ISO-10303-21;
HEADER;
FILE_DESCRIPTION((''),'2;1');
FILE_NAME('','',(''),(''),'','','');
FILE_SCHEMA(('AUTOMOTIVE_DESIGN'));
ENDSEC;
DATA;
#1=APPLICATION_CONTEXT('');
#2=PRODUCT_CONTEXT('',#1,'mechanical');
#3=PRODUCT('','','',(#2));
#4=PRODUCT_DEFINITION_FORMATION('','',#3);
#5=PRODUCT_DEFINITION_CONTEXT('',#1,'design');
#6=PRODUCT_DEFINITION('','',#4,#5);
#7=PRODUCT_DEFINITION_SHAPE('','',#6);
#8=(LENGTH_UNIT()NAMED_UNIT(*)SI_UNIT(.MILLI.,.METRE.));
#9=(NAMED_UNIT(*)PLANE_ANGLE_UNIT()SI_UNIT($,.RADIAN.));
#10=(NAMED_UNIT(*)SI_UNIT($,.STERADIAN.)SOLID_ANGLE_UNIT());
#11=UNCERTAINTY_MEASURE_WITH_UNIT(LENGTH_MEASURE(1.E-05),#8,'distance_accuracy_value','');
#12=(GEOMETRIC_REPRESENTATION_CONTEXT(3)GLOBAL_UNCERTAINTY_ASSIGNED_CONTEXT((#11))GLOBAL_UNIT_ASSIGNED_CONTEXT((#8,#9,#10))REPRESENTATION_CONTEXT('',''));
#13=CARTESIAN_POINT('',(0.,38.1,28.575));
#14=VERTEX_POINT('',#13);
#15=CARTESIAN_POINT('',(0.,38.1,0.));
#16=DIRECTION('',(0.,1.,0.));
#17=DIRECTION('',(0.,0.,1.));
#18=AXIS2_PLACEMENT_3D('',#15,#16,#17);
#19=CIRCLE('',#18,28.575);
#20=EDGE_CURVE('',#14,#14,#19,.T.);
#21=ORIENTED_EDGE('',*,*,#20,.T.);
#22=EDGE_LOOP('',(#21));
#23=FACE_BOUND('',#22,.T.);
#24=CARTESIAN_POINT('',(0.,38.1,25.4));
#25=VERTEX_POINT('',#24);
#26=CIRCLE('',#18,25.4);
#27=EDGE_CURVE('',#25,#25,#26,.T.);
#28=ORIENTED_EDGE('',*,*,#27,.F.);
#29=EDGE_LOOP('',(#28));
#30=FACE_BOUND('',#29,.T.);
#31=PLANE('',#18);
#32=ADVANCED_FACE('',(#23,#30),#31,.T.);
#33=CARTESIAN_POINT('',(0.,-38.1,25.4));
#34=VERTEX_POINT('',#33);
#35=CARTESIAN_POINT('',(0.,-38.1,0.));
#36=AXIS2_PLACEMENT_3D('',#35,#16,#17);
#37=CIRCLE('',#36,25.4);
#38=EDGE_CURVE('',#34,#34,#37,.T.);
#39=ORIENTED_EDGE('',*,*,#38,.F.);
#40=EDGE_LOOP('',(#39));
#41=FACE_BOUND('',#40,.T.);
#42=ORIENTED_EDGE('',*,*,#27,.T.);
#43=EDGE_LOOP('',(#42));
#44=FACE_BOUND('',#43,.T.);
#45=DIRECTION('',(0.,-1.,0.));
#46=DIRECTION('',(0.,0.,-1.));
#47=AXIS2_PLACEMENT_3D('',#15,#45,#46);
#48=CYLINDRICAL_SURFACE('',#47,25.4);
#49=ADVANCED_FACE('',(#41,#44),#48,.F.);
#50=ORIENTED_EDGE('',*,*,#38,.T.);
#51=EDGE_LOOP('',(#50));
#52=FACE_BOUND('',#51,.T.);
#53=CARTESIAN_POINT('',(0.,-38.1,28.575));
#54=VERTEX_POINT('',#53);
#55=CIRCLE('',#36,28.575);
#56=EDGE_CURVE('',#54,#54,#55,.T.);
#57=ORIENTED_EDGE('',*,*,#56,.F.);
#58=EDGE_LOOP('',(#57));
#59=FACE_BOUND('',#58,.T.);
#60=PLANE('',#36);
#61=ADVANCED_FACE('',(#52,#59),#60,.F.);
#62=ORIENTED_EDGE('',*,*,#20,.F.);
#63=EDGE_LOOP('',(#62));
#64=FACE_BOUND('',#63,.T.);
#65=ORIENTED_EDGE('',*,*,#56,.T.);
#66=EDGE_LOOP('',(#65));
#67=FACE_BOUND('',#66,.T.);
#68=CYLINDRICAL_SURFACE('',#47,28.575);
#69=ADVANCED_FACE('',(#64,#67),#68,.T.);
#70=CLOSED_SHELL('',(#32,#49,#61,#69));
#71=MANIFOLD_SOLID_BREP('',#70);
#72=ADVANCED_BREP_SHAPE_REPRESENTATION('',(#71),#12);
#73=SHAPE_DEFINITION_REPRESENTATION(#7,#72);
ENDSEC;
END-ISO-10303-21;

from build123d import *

# Parameters (mm, degrees)
SKETCH1_R           = 28.575
SKETCH1_R_2         = 25.4
BOSS_EXTRUDE1_DEPTH = 38.1


with BuildPart() as part:
    # Sketch1 → Boss-Extrude1 (new, symmetric)
    with BuildSketch(Plane(origin=(0, 0, 0), x_dir=(1, 0, 0), z_dir=(0, 1, 0))):
        with Locations(Location((0, 0, 0), (0, 0, 270))):
            Circle(SKETCH1_R)
        with Locations(Location((0, 0, 0), (0, 0, 270))):
            Circle(SKETCH1_R_2, mode=Mode.SUBTRACT)
    extrude(amount=BOSS_EXTRUDE1_DEPTH, both=True)


solid = part.part
